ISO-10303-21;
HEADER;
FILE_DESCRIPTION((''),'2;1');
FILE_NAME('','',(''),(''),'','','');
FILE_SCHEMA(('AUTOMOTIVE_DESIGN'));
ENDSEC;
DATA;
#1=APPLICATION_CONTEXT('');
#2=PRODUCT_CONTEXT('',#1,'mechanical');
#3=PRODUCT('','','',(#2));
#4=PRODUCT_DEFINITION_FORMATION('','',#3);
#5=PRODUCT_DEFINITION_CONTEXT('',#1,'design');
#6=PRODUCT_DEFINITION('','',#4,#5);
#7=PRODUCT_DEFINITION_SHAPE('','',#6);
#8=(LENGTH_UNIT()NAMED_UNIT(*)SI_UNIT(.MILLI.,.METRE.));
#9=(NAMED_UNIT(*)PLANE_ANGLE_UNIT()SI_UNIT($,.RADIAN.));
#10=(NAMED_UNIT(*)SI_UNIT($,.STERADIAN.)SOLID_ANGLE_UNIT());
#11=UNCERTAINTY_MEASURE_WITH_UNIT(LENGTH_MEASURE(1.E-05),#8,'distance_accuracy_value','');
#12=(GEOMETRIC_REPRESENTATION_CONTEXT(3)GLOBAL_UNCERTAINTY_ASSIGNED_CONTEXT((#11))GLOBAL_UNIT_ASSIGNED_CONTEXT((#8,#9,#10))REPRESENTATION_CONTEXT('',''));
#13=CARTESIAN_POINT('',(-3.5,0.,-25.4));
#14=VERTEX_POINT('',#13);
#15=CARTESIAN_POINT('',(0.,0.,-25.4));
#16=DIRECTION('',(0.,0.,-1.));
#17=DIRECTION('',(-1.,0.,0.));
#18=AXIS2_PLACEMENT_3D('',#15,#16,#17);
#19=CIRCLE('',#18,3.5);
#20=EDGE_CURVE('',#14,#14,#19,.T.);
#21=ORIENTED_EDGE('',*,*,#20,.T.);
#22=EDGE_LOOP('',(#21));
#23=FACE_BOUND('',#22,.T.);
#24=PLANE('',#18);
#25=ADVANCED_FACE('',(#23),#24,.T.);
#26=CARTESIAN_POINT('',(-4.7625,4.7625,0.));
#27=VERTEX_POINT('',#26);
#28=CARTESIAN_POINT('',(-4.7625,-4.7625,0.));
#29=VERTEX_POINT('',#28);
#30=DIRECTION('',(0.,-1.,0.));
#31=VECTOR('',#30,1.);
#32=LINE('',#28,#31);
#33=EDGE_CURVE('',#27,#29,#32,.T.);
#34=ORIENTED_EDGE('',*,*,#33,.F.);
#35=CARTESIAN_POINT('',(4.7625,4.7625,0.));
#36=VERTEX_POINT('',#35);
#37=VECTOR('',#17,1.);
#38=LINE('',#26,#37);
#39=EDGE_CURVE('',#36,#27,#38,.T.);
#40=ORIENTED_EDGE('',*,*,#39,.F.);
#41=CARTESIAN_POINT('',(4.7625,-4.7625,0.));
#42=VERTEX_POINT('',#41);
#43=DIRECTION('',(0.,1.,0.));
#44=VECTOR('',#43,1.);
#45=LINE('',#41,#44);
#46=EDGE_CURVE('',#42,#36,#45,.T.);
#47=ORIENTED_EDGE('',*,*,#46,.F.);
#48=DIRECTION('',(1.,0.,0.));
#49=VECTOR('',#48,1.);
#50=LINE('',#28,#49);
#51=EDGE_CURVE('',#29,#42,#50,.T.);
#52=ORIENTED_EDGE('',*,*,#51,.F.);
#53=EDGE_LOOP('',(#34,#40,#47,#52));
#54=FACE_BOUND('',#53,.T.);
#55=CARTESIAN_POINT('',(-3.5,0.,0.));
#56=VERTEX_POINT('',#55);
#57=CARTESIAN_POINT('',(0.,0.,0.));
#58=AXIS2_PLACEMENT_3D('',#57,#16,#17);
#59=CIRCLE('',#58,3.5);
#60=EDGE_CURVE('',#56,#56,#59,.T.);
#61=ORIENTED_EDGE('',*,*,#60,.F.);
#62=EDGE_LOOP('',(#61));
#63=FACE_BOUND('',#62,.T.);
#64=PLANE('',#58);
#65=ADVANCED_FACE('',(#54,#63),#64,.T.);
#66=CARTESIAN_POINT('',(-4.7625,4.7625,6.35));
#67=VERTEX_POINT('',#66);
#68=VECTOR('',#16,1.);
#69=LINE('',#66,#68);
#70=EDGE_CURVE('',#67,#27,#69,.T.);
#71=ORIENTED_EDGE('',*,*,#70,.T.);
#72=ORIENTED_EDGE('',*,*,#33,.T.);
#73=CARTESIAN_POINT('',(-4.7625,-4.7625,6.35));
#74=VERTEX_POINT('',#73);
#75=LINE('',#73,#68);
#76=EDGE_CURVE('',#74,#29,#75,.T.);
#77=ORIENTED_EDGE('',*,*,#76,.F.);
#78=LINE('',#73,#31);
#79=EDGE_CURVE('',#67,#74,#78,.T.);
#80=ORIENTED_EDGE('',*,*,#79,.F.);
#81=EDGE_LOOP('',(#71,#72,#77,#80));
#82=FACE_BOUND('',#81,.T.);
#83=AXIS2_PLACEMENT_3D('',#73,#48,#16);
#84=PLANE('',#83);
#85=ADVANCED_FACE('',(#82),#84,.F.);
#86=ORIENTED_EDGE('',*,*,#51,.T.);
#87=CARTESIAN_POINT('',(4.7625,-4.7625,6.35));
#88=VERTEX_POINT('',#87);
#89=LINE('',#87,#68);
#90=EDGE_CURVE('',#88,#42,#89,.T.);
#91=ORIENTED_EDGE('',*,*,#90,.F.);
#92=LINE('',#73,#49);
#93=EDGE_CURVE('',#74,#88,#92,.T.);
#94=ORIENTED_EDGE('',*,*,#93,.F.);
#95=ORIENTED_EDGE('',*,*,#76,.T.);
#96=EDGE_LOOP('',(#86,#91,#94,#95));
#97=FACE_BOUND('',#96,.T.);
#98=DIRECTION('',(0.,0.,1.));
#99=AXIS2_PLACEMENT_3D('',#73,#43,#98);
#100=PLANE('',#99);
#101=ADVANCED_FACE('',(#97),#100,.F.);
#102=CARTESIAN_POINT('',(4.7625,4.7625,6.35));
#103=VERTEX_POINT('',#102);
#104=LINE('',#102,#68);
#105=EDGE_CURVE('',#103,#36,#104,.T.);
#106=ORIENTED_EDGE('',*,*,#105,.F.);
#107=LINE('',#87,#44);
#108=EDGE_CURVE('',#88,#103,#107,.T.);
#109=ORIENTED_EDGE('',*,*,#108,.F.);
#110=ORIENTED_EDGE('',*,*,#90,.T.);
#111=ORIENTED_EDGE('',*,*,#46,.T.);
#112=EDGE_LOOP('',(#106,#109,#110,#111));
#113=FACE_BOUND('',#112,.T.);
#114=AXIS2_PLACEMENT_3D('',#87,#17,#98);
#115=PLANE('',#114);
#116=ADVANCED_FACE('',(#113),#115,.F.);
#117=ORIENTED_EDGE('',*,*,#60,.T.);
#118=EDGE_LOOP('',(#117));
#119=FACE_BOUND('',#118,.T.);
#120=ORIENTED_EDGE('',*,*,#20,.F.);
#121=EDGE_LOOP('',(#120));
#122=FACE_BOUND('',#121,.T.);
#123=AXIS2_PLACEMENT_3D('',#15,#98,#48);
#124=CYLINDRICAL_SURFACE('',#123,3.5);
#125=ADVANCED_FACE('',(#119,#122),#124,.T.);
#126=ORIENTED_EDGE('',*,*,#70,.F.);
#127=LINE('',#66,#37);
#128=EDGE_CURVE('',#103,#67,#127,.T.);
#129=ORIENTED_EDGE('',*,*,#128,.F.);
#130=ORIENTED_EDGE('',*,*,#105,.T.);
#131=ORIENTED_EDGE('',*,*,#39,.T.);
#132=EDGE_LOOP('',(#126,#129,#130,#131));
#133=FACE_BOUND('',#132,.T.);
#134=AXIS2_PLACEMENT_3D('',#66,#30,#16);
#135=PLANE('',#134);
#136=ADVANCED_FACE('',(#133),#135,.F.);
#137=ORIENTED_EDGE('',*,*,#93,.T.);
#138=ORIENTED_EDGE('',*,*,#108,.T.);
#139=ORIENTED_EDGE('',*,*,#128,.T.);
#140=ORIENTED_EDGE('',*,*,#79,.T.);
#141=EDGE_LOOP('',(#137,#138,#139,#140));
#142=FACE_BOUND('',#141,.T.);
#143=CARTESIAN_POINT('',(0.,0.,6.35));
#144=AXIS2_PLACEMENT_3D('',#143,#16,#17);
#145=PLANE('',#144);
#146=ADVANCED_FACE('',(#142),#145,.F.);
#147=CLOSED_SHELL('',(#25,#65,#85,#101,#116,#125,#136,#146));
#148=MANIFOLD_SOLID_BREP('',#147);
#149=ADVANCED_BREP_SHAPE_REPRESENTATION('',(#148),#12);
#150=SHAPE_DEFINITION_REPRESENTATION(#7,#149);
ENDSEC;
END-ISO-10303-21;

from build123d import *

# Parameters (mm, degrees)
SKETCH1_W           = 9.525
SKETCH1_H           = 9.525
BOSS_EXTRUDE1_DEPTH = 6.35
SKETCH2_R           = 3.5
BOSS_EXTRUDE2_DEPTH = 25.4


with BuildPart() as part:
    # Sketch1 → Boss-Extrude1 (new body)
    with BuildSketch(Plane.XY):
        Rectangle(SKETCH1_W, SKETCH1_H)
    extrude(amount=BOSS_EXTRUDE1_DEPTH)

    # Sketch2 → Boss-Extrude2 (add)
    with BuildSketch(Plane(origin=(0, 0, 0), x_dir=(-1, 0, 0), z_dir=(0, 0, -1))):
        Circle(SKETCH2_R)
    extrude(amount=BOSS_EXTRUDE2_DEPTH)


solid = part.part
